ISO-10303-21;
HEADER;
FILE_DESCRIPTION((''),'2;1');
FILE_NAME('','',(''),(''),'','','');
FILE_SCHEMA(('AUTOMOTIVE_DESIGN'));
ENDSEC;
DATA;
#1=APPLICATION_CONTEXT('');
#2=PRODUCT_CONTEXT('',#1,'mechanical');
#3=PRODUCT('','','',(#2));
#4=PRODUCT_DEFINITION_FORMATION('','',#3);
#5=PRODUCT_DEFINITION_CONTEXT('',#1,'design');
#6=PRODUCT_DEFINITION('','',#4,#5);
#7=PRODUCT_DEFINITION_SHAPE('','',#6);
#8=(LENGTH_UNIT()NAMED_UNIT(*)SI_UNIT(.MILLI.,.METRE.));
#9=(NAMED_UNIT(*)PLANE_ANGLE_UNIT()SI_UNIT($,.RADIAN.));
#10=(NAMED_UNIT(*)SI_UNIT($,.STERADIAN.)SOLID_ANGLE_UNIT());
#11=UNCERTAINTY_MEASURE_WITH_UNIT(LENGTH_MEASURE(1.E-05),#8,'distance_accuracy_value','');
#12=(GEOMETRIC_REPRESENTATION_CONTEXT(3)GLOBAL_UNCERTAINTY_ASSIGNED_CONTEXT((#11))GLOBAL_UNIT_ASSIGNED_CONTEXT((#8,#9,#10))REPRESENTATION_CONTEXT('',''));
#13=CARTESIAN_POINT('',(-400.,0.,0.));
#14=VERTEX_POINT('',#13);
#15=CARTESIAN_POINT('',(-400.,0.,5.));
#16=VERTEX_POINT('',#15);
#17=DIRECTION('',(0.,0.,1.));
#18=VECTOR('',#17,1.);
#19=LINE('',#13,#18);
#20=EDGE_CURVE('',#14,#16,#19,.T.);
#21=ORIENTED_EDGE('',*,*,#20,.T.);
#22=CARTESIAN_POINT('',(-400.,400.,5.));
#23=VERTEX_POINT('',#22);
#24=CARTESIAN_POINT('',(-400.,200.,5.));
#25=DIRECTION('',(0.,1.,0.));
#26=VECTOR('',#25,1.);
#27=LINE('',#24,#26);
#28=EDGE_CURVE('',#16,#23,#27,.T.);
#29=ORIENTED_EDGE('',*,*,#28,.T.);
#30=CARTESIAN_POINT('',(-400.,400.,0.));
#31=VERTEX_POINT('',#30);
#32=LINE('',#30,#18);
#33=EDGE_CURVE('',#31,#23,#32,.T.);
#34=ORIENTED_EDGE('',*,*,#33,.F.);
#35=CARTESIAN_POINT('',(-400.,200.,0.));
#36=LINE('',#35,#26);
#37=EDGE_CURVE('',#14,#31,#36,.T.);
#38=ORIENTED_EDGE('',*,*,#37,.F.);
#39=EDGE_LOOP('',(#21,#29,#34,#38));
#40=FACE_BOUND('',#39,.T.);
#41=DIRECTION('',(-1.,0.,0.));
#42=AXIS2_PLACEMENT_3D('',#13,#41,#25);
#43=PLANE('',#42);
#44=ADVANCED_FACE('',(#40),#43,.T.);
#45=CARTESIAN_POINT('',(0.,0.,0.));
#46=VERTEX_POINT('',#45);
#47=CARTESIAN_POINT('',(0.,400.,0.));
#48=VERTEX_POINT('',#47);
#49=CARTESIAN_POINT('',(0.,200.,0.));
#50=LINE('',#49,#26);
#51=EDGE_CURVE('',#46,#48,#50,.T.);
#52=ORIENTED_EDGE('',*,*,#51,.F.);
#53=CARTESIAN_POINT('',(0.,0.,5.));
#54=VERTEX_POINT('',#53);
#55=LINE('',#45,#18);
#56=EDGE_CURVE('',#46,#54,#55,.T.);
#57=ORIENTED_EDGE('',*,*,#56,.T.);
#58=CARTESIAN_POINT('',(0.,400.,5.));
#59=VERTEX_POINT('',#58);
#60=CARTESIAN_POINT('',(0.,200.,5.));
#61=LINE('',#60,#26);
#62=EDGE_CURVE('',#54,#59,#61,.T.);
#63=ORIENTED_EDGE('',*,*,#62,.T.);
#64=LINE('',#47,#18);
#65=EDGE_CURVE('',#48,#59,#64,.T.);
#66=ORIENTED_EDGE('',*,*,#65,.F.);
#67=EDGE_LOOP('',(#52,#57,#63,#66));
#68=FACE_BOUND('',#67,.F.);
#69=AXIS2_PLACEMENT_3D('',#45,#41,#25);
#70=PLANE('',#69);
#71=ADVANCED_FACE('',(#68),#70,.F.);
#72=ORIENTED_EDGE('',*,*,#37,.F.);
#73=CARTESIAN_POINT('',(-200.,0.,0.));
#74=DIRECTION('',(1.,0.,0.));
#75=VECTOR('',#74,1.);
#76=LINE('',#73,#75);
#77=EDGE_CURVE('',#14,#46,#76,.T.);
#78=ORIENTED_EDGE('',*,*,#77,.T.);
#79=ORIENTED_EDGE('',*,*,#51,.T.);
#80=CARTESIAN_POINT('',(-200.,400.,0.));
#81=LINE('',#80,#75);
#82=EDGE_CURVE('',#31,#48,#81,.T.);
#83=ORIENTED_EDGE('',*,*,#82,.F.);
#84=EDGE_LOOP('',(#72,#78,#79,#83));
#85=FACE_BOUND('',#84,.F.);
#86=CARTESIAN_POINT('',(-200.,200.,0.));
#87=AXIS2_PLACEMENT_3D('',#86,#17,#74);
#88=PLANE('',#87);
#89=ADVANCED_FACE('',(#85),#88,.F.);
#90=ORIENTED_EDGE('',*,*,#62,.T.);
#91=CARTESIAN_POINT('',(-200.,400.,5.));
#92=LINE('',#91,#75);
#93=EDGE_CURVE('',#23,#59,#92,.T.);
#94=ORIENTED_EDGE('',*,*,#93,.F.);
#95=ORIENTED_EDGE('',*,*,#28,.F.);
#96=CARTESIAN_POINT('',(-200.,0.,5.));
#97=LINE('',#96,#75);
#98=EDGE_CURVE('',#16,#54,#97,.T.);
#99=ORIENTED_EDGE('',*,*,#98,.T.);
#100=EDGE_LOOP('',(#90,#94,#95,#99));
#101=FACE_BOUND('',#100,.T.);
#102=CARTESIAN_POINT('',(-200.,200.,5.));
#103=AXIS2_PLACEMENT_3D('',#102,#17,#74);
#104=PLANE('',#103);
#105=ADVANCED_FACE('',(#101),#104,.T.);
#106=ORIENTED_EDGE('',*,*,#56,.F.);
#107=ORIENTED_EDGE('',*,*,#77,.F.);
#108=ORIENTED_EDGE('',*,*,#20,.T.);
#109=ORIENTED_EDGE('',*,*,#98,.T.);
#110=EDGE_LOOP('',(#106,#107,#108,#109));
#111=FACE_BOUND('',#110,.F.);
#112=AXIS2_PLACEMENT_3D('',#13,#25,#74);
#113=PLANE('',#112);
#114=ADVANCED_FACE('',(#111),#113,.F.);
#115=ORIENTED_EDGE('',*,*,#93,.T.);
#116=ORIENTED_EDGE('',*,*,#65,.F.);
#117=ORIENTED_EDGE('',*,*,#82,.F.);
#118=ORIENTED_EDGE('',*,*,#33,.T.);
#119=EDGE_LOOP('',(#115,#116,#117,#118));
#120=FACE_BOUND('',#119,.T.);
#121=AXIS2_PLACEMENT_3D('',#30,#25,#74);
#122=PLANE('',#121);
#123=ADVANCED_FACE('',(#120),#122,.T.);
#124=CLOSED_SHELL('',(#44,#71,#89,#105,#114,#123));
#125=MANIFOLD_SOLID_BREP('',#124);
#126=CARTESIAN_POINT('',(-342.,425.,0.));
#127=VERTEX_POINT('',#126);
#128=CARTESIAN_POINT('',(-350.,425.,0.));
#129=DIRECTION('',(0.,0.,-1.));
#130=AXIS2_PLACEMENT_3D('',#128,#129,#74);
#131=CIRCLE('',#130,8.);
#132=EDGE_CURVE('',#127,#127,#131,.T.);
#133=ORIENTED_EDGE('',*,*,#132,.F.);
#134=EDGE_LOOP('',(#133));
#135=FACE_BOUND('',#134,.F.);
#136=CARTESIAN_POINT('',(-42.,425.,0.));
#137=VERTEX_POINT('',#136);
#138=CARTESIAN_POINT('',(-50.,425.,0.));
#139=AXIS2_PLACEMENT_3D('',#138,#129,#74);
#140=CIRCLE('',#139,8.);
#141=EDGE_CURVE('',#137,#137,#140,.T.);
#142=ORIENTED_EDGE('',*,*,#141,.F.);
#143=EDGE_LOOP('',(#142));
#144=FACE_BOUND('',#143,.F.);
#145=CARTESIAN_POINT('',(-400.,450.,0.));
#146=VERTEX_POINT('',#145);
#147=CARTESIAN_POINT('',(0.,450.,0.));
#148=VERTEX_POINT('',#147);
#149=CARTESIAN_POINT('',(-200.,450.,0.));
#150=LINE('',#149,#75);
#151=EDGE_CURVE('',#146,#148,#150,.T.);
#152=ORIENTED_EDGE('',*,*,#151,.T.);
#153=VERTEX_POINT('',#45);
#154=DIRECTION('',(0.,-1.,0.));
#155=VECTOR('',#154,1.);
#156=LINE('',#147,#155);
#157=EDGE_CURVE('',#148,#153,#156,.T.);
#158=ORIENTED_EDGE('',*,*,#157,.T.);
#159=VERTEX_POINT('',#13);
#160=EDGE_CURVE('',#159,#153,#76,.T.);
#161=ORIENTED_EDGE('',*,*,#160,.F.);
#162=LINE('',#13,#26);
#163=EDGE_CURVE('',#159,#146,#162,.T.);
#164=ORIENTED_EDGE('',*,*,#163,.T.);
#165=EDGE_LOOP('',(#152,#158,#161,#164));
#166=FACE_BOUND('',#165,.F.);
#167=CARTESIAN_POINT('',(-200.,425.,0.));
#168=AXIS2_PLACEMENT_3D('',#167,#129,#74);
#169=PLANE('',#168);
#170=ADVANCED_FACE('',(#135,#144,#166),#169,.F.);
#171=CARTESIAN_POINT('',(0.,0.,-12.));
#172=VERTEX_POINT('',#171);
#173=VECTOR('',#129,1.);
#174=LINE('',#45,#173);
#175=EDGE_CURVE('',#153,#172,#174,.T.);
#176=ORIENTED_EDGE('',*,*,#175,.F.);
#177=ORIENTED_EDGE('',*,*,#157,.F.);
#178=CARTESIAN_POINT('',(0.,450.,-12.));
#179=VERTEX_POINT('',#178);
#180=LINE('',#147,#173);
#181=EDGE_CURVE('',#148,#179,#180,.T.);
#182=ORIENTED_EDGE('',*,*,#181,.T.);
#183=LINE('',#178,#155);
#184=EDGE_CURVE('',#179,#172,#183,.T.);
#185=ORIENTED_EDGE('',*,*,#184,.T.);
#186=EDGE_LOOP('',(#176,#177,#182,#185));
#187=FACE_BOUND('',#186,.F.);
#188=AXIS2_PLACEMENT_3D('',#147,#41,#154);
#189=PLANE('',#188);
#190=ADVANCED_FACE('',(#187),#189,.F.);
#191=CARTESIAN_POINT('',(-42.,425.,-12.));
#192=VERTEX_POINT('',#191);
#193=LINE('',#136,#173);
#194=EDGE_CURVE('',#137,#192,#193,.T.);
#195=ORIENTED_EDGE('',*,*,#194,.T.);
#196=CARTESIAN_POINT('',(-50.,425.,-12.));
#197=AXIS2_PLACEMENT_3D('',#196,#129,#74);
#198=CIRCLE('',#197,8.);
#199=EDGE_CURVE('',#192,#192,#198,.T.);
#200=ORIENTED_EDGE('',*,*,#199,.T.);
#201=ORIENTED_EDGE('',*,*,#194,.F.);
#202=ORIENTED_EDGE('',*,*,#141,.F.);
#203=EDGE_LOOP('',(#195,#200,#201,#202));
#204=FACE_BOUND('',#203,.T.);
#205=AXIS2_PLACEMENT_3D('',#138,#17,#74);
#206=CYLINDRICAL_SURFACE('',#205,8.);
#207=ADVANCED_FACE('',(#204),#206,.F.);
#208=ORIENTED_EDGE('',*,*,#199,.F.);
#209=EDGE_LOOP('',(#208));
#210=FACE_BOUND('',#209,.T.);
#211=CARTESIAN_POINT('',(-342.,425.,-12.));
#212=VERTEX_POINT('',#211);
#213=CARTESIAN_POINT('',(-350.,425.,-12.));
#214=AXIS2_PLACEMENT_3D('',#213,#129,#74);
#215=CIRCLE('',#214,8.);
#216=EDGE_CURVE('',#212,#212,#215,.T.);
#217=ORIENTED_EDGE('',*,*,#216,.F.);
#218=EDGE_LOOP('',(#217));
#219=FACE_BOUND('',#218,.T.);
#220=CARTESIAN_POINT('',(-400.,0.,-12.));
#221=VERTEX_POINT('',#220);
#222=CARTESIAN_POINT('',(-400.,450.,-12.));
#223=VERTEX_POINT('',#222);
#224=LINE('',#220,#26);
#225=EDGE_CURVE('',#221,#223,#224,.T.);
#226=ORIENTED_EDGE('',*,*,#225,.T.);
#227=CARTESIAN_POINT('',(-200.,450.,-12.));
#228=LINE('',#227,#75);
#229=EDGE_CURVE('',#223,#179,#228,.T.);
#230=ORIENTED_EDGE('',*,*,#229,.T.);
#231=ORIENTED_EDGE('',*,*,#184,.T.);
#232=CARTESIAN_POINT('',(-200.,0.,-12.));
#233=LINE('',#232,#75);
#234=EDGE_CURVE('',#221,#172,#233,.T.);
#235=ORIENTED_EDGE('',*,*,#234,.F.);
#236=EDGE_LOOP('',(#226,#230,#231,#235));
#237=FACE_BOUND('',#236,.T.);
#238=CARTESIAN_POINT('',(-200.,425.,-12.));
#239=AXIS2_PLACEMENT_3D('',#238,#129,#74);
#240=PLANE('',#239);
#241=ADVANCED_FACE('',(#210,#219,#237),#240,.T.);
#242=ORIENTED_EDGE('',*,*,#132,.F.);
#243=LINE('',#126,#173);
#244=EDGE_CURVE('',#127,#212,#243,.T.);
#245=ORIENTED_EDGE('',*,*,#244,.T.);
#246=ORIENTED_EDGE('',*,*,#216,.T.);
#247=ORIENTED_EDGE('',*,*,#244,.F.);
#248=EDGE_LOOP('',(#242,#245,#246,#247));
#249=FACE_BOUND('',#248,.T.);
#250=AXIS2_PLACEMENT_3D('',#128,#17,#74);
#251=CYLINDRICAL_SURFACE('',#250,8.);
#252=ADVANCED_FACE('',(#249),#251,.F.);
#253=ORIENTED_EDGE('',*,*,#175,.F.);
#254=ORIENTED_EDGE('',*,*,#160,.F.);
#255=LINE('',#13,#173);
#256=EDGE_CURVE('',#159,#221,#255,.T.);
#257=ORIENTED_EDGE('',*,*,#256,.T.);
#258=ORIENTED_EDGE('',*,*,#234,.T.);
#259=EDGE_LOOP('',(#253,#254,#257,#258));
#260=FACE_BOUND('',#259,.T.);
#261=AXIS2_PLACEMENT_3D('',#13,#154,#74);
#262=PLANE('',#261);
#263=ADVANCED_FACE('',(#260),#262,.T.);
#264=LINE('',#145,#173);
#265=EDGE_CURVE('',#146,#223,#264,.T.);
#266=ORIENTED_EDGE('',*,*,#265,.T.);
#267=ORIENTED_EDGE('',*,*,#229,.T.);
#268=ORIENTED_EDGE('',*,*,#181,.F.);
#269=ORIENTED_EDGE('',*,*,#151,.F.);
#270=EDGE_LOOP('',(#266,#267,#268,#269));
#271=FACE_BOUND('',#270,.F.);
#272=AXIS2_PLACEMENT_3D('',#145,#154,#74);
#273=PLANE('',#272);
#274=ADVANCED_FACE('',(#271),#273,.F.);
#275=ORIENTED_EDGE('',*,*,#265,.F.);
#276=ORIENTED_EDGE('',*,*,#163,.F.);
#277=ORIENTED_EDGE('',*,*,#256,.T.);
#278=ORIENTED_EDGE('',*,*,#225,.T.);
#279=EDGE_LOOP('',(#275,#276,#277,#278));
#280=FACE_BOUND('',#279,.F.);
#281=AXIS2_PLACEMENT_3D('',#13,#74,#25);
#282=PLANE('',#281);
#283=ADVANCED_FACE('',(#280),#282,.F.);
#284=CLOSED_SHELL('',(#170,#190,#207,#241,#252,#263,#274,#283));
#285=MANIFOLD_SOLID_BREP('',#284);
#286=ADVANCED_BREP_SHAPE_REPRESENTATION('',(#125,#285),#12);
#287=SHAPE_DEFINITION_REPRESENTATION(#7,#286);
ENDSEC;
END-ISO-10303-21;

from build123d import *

# Parameters (mm, degrees)
F0_W     = 400
F0_H     = 400
F1_DEPTH = 5
F2_W     = 400
F2_H     = 50
F2_R     = 8
F2_H_2   = 400
F3_DEPTH = 12


with BuildPart() as f1:
    # F0 (on Top) → F1 (new body)
    with BuildSketch(Plane.XY):
        with Locations((-200, 200)):
            Rectangle(F0_W, F0_H)
    extrude(amount=F1_DEPTH)


with BuildPart() as f3:
    # F2 (on face) → F3 (new body)
    with BuildSketch(Plane(origin=(0, 0, 0), x_dir=(1, 0, 0), z_dir=(0, 0, -1))):
        with Locations((-200, -425)):
            Rectangle(F2_W, F2_H)
        with Locations((-350, -425)):
            Circle(F2_R, mode=Mode.SUBTRACT)
        with Locations((-50, -425)):
            Circle(F2_R, mode=Mode.SUBTRACT)
        with Locations((-200, -200)):
            Rectangle(F2_W, F2_H_2)
    extrude(amount=F3_DEPTH)


solid = Compound([f1.part, f3.part])
